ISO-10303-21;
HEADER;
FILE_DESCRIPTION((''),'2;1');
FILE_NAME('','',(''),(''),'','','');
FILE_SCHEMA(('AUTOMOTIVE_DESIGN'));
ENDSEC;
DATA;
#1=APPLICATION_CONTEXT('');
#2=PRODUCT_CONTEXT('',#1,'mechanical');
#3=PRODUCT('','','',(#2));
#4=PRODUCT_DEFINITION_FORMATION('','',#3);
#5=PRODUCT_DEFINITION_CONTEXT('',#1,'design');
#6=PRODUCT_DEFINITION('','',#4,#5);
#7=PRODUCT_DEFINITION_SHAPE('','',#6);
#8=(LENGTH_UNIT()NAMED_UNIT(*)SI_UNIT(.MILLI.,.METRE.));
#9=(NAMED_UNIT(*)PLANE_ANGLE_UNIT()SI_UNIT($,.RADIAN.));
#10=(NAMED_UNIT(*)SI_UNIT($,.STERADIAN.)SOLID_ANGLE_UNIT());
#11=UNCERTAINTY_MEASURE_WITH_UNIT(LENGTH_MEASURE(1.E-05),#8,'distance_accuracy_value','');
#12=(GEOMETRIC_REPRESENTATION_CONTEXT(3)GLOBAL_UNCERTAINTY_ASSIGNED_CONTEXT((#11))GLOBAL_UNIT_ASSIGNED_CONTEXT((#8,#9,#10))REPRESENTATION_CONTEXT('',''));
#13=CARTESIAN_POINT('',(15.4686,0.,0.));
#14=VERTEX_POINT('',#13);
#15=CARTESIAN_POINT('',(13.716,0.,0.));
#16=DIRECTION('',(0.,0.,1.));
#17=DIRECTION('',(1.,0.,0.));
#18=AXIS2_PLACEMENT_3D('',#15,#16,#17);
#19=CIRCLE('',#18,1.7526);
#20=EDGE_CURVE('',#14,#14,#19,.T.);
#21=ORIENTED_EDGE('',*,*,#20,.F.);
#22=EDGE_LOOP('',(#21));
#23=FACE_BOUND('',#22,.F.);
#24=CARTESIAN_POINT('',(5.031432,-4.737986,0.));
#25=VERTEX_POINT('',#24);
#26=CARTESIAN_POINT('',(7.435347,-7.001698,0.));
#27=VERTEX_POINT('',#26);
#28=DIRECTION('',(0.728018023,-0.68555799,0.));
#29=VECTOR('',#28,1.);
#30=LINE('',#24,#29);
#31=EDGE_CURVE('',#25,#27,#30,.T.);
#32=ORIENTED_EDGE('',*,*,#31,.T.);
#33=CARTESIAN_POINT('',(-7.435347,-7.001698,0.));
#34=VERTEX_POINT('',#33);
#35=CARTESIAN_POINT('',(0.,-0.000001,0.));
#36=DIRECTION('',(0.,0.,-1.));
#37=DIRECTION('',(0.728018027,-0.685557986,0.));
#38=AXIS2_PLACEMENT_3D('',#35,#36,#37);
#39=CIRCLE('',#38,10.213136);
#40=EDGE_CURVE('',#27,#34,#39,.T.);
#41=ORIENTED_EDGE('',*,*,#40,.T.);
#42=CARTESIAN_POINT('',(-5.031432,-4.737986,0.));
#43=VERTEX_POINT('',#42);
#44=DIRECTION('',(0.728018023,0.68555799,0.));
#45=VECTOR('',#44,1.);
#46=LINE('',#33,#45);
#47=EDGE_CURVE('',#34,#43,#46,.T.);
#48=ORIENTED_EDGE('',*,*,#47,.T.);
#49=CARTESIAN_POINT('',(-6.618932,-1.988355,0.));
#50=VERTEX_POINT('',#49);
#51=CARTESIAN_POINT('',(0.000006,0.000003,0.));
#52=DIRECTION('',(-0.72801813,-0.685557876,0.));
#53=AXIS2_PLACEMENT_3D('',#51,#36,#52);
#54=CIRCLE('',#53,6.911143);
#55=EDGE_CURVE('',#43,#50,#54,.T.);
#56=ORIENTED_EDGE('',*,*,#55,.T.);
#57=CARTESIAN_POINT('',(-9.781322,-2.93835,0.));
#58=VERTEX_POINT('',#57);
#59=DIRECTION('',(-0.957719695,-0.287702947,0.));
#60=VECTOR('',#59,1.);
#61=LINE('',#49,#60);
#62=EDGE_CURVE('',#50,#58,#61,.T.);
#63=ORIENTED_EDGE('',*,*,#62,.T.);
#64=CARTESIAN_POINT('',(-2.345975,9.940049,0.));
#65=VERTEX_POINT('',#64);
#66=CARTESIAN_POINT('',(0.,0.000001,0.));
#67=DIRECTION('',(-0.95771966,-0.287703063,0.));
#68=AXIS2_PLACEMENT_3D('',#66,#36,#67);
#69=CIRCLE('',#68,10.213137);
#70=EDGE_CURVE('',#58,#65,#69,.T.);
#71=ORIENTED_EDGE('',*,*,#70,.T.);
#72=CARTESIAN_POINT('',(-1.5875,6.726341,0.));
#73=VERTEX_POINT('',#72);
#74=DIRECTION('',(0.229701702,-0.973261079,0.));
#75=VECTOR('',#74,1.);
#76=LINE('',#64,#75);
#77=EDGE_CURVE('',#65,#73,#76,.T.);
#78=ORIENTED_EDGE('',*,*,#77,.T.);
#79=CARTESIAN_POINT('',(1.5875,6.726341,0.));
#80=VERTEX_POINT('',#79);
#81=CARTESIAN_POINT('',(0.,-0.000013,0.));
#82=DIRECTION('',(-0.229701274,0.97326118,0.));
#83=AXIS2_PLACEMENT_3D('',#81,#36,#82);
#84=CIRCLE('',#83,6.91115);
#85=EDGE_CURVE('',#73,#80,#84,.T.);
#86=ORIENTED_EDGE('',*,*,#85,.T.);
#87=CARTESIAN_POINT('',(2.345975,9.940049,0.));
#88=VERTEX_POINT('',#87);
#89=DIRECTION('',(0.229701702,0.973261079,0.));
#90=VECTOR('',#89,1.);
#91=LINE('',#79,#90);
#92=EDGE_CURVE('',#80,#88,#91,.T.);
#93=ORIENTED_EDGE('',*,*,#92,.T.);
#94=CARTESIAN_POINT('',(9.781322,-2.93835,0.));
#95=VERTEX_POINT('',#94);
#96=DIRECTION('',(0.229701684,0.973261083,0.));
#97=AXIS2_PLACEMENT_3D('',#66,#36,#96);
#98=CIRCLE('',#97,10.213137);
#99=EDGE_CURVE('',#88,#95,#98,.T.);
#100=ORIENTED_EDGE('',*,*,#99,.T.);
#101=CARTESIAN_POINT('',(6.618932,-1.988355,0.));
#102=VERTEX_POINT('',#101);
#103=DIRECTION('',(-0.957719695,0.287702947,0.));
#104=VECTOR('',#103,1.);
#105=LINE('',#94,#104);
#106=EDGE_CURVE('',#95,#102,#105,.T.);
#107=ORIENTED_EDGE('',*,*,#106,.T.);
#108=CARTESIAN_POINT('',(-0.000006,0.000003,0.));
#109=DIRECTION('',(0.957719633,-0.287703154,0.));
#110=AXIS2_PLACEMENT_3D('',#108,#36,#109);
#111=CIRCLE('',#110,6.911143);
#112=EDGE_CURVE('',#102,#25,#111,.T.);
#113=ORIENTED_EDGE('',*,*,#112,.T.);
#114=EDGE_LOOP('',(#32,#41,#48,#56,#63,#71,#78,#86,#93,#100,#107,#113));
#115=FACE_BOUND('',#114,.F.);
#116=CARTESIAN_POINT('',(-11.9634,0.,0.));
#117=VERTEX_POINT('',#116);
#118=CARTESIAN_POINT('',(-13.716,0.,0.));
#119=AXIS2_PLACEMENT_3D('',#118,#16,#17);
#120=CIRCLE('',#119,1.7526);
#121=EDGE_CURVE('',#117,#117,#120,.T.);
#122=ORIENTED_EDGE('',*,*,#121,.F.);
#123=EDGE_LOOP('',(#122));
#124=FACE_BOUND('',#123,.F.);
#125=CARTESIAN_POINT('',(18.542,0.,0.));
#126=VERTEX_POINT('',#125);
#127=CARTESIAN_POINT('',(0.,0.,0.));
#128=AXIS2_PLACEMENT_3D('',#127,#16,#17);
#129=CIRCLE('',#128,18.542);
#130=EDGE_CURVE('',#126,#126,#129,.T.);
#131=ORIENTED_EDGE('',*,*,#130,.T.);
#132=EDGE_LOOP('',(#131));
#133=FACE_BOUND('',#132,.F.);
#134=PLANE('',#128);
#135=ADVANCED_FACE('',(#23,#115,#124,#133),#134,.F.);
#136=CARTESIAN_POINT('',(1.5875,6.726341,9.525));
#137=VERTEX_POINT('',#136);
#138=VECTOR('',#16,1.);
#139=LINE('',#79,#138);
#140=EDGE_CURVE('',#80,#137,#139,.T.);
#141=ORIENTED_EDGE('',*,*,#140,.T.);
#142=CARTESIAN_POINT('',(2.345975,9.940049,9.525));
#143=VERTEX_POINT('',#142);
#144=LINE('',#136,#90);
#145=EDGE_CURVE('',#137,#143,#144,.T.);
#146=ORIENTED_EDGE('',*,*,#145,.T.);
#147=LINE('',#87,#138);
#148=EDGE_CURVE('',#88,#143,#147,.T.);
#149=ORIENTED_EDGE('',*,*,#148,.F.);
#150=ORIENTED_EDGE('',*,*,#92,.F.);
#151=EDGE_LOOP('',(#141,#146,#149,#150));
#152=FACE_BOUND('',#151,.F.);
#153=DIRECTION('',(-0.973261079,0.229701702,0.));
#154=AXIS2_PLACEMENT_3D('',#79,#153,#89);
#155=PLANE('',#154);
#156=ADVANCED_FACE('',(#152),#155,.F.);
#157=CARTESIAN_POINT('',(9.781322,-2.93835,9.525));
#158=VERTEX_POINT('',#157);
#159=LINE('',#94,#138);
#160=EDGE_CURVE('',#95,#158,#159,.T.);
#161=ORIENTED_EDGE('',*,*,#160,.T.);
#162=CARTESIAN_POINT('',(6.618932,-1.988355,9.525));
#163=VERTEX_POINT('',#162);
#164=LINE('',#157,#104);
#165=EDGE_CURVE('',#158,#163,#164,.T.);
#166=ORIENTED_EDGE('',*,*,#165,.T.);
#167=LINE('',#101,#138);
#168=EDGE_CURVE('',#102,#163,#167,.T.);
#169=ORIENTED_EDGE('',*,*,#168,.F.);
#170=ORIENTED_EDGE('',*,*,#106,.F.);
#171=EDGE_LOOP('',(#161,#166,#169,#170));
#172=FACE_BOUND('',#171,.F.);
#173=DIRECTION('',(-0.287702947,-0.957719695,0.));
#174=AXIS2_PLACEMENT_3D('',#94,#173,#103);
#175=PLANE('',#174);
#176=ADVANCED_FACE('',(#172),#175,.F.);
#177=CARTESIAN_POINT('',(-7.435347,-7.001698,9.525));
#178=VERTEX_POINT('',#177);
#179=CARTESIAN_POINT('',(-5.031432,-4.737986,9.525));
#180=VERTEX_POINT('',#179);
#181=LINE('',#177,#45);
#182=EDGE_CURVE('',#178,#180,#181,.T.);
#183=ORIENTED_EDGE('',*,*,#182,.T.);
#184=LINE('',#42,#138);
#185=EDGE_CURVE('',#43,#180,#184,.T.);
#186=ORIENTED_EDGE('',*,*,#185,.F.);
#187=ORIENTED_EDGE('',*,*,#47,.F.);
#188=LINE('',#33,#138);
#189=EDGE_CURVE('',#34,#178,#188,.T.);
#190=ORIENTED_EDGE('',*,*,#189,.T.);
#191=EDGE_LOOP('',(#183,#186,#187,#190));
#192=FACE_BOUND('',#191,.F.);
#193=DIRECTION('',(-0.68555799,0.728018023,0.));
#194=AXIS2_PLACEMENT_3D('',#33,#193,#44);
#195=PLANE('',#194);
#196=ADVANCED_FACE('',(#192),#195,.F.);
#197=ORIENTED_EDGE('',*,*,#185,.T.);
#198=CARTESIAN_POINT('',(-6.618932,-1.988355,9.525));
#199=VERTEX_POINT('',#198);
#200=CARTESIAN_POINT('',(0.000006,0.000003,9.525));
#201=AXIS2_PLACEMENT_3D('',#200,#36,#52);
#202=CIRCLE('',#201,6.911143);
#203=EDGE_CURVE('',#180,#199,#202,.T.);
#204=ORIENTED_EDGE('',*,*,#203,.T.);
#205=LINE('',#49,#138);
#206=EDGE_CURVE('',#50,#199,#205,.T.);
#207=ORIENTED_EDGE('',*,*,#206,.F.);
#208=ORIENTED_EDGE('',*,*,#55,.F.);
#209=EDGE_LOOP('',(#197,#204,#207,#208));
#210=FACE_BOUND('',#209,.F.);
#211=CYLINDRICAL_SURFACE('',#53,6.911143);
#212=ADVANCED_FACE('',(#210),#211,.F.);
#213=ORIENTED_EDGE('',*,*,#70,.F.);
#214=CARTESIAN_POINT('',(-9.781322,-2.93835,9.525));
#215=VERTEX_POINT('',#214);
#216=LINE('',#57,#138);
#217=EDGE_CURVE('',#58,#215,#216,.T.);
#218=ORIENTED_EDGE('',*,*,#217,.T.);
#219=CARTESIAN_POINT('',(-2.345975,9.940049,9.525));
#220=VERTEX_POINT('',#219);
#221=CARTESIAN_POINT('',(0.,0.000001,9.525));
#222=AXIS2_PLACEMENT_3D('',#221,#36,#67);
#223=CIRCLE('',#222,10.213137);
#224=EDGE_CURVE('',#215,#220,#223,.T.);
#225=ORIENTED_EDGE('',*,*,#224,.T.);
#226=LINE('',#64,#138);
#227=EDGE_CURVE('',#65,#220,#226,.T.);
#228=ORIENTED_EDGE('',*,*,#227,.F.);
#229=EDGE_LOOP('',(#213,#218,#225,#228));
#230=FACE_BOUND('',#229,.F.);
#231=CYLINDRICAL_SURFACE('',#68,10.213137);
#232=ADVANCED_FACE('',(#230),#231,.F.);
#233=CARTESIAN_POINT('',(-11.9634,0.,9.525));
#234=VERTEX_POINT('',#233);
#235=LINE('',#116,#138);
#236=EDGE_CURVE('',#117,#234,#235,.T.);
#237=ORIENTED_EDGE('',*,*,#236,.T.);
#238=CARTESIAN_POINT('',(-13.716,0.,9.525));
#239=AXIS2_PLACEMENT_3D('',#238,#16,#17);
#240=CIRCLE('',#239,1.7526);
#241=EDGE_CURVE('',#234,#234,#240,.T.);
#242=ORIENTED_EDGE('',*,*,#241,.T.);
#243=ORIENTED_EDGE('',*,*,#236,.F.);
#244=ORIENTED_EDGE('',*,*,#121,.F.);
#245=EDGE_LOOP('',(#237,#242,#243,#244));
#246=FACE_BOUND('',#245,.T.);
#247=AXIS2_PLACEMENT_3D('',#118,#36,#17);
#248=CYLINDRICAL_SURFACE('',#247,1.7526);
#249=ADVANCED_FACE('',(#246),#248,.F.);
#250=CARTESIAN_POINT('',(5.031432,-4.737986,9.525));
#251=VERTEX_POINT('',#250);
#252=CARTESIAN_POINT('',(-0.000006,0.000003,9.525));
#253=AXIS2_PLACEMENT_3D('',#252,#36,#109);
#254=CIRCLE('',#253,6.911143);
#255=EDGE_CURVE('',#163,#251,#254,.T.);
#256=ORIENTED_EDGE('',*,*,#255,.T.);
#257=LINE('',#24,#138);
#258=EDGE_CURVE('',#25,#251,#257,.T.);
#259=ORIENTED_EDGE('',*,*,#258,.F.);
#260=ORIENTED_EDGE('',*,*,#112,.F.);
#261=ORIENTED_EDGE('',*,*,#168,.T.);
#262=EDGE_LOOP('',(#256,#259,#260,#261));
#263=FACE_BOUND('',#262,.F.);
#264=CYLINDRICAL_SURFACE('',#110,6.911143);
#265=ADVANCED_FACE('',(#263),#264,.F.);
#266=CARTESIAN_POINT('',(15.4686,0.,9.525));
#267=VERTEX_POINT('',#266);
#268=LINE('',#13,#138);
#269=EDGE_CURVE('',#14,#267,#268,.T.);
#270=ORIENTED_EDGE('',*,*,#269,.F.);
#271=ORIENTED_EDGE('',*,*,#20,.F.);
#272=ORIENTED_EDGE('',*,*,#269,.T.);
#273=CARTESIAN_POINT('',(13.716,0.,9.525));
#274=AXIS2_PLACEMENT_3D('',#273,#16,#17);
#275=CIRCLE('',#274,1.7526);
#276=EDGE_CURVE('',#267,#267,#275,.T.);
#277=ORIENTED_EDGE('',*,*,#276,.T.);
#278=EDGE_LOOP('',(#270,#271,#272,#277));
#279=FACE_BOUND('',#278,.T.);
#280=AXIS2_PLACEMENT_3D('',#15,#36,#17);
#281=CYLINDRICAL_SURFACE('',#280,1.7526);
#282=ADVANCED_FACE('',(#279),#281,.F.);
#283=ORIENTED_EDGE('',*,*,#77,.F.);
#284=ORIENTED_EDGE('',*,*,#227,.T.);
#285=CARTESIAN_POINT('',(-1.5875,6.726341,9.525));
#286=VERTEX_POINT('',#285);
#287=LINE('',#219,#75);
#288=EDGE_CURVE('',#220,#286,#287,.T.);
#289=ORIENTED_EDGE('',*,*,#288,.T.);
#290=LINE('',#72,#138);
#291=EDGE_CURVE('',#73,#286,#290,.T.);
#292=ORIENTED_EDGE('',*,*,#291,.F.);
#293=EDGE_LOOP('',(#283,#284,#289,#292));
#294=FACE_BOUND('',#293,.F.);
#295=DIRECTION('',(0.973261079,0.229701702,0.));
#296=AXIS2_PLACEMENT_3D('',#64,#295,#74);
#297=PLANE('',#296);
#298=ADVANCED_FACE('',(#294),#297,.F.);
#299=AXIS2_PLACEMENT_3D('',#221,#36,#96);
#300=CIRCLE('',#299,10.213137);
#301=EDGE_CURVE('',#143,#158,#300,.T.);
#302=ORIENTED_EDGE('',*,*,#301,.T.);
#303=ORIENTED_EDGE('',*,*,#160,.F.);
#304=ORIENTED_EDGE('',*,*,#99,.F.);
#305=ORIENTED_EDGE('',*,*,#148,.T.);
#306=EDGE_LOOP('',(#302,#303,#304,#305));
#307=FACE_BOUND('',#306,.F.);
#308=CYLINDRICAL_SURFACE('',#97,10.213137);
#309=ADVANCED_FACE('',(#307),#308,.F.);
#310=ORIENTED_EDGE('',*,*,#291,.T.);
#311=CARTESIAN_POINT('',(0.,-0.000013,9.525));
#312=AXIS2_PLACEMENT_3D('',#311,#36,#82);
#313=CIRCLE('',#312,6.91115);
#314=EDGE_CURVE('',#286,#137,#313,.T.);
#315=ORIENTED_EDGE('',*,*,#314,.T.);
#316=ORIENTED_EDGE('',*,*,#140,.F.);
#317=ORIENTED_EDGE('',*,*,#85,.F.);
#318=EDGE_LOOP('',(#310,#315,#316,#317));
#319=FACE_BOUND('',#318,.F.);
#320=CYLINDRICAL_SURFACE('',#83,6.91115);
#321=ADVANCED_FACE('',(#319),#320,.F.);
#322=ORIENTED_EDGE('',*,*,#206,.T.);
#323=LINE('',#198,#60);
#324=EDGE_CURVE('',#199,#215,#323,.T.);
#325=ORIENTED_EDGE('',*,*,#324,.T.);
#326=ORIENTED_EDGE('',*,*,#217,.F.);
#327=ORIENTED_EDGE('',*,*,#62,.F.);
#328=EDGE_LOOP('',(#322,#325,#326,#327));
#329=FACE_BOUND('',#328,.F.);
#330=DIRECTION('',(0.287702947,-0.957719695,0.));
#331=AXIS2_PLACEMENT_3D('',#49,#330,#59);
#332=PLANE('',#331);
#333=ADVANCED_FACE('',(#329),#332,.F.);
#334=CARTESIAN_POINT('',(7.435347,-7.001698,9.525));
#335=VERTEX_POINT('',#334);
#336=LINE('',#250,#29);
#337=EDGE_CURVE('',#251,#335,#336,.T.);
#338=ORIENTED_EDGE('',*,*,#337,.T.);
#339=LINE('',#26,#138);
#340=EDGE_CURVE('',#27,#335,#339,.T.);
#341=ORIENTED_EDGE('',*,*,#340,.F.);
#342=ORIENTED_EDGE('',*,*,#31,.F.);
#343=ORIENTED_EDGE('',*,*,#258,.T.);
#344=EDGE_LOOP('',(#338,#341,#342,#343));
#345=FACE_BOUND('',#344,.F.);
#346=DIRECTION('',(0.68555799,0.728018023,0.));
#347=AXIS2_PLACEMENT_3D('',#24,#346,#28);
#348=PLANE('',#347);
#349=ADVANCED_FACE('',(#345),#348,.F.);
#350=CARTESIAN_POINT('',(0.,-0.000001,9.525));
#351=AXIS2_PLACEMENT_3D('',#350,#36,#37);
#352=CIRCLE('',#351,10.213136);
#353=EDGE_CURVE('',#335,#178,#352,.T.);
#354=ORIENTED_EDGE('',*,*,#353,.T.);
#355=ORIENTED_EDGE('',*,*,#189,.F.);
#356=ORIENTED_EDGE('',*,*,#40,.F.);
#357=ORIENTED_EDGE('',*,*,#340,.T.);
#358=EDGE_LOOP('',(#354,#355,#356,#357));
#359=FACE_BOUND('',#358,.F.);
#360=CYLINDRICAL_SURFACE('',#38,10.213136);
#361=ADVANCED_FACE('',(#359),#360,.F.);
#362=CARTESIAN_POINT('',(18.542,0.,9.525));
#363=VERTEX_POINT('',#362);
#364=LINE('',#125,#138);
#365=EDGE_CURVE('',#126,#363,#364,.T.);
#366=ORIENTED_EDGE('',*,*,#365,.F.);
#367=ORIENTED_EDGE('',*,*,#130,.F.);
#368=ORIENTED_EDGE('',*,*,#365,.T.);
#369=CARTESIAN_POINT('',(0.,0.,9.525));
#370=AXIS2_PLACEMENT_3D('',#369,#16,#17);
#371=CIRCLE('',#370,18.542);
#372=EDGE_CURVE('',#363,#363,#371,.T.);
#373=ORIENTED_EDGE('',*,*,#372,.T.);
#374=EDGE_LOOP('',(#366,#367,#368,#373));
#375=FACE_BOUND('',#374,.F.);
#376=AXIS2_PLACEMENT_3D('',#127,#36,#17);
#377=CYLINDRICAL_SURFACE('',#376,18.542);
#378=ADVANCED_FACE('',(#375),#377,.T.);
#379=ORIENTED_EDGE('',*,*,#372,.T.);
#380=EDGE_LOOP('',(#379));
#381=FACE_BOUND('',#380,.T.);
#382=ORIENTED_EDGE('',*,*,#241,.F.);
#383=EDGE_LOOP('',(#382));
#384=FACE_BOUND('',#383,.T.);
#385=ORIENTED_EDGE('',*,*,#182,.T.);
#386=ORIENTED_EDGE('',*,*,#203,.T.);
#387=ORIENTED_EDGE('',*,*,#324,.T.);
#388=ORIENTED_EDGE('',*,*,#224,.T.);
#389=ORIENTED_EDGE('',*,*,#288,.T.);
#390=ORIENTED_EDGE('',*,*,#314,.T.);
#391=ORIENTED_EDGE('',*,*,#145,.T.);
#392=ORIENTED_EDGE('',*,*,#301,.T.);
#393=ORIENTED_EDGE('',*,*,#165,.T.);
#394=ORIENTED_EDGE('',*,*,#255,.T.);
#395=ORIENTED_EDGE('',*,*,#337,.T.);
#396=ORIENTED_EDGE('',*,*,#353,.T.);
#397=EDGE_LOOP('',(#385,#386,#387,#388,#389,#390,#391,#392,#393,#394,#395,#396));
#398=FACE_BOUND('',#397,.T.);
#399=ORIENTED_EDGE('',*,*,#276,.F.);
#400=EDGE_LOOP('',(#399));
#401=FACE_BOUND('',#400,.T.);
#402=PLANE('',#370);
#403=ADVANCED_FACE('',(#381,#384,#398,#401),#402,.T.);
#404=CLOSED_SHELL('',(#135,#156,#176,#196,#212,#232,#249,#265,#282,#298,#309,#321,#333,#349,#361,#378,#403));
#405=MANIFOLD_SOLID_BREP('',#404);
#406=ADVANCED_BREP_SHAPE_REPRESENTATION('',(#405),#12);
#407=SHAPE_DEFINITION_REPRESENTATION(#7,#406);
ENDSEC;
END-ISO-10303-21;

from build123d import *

# Parameters (mm, degrees)
F0_R     = 18.542
F0_R_2   = 1.7526
F1_DEPTH = 9.525


with BuildPart() as f1:
    # F0 (on Top) → F1 (new body)
    with BuildSketch(Plane.XY):
        Circle(F0_R)
        with BuildLine():
            ThreePointArc((-5.031432, -4.737986), (-5.98522, -3.455569), (-6.618932, -1.988355))
            Line((-6.618932, -1.988355), (-9.781322, -2.93835))
            ThreePointArc((-9.781322, -2.93835), (-8.844836, 5.106569), (-2.345975, 9.940049))
            Line((-2.345975, 9.940049), (-1.5875, 6.726341))
            ThreePointArc((-1.5875, 6.726341), (0, 6.911137), (1.5875, 6.726341))
            Line((1.5875, 6.726341), (2.345975, 9.940049))
            ThreePointArc((2.345975, 9.940049), (8.844836, 5.106569), (9.781322, -2.93835))
            Line((9.781322, -2.93835), (6.618932, -1.988355))
            ThreePointArc((6.618932, -1.988355), (5.98522, -3.455569), (5.031432, -4.737986))
            Line((5.031432, -4.737986), (7.435347, -7.001698))
            ThreePointArc((7.435347, -7.001698), (0, -10.213137), (-7.435347, -7.001698))
            Line((-7.435347, -7.001698), (-5.031432, -4.737986))
        make_face(mode=Mode.SUBTRACT)
        with Locations((-13.716, 0)):
            Circle(F0_R_2, mode=Mode.SUBTRACT)
        with Locations((13.716, 0)):
            Circle(F0_R_2, mode=Mode.SUBTRACT)
    extrude(amount=F1_DEPTH)


solid = f1.part
